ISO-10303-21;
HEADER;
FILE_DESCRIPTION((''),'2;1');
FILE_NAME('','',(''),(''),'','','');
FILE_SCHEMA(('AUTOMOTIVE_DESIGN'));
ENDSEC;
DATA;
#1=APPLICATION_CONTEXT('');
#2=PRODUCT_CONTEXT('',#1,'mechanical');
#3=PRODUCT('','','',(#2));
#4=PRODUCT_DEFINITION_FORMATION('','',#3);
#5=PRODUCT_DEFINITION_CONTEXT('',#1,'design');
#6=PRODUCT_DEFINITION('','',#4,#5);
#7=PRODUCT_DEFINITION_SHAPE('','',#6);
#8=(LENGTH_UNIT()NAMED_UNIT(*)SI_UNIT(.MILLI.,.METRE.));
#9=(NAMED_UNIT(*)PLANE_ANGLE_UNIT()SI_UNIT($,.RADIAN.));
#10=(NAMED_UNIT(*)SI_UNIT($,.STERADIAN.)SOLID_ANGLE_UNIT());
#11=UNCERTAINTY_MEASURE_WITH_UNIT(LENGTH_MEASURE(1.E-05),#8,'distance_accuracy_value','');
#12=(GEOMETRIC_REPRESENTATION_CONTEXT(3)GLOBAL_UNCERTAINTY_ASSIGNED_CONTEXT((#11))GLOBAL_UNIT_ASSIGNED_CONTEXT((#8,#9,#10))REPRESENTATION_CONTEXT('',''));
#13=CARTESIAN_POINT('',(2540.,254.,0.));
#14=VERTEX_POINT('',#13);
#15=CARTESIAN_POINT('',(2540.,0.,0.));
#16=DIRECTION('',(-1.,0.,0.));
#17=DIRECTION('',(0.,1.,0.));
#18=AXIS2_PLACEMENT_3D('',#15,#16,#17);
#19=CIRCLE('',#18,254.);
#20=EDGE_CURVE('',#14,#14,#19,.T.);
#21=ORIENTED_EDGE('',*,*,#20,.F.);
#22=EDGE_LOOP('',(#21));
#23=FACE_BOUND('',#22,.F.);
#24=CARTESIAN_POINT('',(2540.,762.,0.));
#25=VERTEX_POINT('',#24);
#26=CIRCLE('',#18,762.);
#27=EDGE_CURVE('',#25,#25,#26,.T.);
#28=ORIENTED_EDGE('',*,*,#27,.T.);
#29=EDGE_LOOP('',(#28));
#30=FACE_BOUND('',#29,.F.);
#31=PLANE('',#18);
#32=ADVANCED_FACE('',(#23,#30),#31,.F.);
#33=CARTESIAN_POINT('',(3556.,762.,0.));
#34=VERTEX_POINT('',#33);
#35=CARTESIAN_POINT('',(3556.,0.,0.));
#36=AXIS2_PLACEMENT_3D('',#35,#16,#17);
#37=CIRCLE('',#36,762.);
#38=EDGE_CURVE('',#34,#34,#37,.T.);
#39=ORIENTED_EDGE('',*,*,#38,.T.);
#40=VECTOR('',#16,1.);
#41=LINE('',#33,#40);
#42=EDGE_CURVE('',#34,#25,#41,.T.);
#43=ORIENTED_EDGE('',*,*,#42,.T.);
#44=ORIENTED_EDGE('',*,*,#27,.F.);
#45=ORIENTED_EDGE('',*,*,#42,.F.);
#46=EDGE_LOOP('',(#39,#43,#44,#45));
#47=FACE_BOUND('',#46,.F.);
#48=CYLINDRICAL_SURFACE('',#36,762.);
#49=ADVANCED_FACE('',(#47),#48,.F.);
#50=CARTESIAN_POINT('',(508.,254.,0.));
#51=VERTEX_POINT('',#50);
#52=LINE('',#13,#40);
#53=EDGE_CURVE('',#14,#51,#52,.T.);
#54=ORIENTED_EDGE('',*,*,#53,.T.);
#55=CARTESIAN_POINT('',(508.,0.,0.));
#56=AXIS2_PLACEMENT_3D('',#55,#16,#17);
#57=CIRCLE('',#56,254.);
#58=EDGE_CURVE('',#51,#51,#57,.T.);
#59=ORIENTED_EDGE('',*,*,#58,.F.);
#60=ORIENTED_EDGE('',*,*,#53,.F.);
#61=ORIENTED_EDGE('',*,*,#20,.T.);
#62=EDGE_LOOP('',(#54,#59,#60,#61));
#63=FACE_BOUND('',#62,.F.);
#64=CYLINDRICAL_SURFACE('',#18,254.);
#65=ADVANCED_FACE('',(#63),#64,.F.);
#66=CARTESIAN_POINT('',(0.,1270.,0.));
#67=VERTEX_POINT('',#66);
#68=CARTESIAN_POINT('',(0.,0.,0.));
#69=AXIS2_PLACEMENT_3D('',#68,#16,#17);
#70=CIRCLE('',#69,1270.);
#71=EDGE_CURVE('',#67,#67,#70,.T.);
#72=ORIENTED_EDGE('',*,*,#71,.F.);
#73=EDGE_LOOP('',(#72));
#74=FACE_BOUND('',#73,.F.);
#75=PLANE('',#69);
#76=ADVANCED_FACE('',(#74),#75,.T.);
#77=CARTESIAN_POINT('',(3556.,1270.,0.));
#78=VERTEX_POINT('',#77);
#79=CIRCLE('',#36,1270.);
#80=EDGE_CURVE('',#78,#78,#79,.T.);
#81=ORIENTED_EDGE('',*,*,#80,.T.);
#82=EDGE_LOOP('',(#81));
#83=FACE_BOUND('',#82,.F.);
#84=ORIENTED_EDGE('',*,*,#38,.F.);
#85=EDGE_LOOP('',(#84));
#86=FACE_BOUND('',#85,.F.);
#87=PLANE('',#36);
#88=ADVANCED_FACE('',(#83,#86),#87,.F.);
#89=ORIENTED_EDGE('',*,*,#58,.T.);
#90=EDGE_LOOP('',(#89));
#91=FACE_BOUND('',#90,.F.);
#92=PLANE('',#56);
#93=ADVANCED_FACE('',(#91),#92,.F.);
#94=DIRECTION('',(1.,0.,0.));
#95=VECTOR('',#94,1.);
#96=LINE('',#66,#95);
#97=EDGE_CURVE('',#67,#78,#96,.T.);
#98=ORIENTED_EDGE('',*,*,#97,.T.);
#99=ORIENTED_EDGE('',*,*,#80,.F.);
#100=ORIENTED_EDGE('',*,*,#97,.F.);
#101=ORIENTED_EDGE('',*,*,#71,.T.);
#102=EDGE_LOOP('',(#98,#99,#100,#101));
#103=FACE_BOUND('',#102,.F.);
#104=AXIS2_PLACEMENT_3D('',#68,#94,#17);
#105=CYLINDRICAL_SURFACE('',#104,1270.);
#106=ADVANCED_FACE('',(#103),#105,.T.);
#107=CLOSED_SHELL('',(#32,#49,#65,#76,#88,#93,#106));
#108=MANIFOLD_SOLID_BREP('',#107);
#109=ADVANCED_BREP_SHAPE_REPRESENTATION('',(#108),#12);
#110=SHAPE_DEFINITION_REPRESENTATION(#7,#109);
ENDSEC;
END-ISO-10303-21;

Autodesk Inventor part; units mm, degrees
ref_plane "YZ Plane" through (0, 0, 0) normal (1, 0, 0) x (0, 1, 0)
ref_plane "XZ Plane" through (0, 0, 0) normal (0, 1, 0) x (-1, 0, 0)
ref_plane "XY Plane" through (0, 0, 0) normal (0, 0, 1) x (1, 0, 0)
sketch "草圖1" plane through (0, 0, 0) normal (0, 0, 1) x (1, 0, 0)
  line L0 (0, 0) -> (0, 1270)
  line L1 (0, 1270) -> (3556, 1270)
  line L2 (3556, 1270) -> (3556, 0)
  line L3 (3556, 0) -> (0, 0)
  line L4 (3556, 0) -> (3556, 762)
  line L5 (3556, 762) -> (2540, 762)
  line L6 (2540, 762) -> (2540, 254)
  line L7 (2540, 254) -> (508, 254)
  line L8 (508, 254) -> (508, 0)
  dimension "d0" = 1270
  dimension "d1" = 3556
  dimension "d2" = 762
  dimension "d3" = 1016
  dimension "d4" = 508
  dimension "d5" = 2032
revolve "迴轉1" add sketch "草圖1" angle 360 about axis through (3556, 0, 0) along (-1, 0, 0) contours L0 L1 L2 L5 L6 L7 L8 L3
